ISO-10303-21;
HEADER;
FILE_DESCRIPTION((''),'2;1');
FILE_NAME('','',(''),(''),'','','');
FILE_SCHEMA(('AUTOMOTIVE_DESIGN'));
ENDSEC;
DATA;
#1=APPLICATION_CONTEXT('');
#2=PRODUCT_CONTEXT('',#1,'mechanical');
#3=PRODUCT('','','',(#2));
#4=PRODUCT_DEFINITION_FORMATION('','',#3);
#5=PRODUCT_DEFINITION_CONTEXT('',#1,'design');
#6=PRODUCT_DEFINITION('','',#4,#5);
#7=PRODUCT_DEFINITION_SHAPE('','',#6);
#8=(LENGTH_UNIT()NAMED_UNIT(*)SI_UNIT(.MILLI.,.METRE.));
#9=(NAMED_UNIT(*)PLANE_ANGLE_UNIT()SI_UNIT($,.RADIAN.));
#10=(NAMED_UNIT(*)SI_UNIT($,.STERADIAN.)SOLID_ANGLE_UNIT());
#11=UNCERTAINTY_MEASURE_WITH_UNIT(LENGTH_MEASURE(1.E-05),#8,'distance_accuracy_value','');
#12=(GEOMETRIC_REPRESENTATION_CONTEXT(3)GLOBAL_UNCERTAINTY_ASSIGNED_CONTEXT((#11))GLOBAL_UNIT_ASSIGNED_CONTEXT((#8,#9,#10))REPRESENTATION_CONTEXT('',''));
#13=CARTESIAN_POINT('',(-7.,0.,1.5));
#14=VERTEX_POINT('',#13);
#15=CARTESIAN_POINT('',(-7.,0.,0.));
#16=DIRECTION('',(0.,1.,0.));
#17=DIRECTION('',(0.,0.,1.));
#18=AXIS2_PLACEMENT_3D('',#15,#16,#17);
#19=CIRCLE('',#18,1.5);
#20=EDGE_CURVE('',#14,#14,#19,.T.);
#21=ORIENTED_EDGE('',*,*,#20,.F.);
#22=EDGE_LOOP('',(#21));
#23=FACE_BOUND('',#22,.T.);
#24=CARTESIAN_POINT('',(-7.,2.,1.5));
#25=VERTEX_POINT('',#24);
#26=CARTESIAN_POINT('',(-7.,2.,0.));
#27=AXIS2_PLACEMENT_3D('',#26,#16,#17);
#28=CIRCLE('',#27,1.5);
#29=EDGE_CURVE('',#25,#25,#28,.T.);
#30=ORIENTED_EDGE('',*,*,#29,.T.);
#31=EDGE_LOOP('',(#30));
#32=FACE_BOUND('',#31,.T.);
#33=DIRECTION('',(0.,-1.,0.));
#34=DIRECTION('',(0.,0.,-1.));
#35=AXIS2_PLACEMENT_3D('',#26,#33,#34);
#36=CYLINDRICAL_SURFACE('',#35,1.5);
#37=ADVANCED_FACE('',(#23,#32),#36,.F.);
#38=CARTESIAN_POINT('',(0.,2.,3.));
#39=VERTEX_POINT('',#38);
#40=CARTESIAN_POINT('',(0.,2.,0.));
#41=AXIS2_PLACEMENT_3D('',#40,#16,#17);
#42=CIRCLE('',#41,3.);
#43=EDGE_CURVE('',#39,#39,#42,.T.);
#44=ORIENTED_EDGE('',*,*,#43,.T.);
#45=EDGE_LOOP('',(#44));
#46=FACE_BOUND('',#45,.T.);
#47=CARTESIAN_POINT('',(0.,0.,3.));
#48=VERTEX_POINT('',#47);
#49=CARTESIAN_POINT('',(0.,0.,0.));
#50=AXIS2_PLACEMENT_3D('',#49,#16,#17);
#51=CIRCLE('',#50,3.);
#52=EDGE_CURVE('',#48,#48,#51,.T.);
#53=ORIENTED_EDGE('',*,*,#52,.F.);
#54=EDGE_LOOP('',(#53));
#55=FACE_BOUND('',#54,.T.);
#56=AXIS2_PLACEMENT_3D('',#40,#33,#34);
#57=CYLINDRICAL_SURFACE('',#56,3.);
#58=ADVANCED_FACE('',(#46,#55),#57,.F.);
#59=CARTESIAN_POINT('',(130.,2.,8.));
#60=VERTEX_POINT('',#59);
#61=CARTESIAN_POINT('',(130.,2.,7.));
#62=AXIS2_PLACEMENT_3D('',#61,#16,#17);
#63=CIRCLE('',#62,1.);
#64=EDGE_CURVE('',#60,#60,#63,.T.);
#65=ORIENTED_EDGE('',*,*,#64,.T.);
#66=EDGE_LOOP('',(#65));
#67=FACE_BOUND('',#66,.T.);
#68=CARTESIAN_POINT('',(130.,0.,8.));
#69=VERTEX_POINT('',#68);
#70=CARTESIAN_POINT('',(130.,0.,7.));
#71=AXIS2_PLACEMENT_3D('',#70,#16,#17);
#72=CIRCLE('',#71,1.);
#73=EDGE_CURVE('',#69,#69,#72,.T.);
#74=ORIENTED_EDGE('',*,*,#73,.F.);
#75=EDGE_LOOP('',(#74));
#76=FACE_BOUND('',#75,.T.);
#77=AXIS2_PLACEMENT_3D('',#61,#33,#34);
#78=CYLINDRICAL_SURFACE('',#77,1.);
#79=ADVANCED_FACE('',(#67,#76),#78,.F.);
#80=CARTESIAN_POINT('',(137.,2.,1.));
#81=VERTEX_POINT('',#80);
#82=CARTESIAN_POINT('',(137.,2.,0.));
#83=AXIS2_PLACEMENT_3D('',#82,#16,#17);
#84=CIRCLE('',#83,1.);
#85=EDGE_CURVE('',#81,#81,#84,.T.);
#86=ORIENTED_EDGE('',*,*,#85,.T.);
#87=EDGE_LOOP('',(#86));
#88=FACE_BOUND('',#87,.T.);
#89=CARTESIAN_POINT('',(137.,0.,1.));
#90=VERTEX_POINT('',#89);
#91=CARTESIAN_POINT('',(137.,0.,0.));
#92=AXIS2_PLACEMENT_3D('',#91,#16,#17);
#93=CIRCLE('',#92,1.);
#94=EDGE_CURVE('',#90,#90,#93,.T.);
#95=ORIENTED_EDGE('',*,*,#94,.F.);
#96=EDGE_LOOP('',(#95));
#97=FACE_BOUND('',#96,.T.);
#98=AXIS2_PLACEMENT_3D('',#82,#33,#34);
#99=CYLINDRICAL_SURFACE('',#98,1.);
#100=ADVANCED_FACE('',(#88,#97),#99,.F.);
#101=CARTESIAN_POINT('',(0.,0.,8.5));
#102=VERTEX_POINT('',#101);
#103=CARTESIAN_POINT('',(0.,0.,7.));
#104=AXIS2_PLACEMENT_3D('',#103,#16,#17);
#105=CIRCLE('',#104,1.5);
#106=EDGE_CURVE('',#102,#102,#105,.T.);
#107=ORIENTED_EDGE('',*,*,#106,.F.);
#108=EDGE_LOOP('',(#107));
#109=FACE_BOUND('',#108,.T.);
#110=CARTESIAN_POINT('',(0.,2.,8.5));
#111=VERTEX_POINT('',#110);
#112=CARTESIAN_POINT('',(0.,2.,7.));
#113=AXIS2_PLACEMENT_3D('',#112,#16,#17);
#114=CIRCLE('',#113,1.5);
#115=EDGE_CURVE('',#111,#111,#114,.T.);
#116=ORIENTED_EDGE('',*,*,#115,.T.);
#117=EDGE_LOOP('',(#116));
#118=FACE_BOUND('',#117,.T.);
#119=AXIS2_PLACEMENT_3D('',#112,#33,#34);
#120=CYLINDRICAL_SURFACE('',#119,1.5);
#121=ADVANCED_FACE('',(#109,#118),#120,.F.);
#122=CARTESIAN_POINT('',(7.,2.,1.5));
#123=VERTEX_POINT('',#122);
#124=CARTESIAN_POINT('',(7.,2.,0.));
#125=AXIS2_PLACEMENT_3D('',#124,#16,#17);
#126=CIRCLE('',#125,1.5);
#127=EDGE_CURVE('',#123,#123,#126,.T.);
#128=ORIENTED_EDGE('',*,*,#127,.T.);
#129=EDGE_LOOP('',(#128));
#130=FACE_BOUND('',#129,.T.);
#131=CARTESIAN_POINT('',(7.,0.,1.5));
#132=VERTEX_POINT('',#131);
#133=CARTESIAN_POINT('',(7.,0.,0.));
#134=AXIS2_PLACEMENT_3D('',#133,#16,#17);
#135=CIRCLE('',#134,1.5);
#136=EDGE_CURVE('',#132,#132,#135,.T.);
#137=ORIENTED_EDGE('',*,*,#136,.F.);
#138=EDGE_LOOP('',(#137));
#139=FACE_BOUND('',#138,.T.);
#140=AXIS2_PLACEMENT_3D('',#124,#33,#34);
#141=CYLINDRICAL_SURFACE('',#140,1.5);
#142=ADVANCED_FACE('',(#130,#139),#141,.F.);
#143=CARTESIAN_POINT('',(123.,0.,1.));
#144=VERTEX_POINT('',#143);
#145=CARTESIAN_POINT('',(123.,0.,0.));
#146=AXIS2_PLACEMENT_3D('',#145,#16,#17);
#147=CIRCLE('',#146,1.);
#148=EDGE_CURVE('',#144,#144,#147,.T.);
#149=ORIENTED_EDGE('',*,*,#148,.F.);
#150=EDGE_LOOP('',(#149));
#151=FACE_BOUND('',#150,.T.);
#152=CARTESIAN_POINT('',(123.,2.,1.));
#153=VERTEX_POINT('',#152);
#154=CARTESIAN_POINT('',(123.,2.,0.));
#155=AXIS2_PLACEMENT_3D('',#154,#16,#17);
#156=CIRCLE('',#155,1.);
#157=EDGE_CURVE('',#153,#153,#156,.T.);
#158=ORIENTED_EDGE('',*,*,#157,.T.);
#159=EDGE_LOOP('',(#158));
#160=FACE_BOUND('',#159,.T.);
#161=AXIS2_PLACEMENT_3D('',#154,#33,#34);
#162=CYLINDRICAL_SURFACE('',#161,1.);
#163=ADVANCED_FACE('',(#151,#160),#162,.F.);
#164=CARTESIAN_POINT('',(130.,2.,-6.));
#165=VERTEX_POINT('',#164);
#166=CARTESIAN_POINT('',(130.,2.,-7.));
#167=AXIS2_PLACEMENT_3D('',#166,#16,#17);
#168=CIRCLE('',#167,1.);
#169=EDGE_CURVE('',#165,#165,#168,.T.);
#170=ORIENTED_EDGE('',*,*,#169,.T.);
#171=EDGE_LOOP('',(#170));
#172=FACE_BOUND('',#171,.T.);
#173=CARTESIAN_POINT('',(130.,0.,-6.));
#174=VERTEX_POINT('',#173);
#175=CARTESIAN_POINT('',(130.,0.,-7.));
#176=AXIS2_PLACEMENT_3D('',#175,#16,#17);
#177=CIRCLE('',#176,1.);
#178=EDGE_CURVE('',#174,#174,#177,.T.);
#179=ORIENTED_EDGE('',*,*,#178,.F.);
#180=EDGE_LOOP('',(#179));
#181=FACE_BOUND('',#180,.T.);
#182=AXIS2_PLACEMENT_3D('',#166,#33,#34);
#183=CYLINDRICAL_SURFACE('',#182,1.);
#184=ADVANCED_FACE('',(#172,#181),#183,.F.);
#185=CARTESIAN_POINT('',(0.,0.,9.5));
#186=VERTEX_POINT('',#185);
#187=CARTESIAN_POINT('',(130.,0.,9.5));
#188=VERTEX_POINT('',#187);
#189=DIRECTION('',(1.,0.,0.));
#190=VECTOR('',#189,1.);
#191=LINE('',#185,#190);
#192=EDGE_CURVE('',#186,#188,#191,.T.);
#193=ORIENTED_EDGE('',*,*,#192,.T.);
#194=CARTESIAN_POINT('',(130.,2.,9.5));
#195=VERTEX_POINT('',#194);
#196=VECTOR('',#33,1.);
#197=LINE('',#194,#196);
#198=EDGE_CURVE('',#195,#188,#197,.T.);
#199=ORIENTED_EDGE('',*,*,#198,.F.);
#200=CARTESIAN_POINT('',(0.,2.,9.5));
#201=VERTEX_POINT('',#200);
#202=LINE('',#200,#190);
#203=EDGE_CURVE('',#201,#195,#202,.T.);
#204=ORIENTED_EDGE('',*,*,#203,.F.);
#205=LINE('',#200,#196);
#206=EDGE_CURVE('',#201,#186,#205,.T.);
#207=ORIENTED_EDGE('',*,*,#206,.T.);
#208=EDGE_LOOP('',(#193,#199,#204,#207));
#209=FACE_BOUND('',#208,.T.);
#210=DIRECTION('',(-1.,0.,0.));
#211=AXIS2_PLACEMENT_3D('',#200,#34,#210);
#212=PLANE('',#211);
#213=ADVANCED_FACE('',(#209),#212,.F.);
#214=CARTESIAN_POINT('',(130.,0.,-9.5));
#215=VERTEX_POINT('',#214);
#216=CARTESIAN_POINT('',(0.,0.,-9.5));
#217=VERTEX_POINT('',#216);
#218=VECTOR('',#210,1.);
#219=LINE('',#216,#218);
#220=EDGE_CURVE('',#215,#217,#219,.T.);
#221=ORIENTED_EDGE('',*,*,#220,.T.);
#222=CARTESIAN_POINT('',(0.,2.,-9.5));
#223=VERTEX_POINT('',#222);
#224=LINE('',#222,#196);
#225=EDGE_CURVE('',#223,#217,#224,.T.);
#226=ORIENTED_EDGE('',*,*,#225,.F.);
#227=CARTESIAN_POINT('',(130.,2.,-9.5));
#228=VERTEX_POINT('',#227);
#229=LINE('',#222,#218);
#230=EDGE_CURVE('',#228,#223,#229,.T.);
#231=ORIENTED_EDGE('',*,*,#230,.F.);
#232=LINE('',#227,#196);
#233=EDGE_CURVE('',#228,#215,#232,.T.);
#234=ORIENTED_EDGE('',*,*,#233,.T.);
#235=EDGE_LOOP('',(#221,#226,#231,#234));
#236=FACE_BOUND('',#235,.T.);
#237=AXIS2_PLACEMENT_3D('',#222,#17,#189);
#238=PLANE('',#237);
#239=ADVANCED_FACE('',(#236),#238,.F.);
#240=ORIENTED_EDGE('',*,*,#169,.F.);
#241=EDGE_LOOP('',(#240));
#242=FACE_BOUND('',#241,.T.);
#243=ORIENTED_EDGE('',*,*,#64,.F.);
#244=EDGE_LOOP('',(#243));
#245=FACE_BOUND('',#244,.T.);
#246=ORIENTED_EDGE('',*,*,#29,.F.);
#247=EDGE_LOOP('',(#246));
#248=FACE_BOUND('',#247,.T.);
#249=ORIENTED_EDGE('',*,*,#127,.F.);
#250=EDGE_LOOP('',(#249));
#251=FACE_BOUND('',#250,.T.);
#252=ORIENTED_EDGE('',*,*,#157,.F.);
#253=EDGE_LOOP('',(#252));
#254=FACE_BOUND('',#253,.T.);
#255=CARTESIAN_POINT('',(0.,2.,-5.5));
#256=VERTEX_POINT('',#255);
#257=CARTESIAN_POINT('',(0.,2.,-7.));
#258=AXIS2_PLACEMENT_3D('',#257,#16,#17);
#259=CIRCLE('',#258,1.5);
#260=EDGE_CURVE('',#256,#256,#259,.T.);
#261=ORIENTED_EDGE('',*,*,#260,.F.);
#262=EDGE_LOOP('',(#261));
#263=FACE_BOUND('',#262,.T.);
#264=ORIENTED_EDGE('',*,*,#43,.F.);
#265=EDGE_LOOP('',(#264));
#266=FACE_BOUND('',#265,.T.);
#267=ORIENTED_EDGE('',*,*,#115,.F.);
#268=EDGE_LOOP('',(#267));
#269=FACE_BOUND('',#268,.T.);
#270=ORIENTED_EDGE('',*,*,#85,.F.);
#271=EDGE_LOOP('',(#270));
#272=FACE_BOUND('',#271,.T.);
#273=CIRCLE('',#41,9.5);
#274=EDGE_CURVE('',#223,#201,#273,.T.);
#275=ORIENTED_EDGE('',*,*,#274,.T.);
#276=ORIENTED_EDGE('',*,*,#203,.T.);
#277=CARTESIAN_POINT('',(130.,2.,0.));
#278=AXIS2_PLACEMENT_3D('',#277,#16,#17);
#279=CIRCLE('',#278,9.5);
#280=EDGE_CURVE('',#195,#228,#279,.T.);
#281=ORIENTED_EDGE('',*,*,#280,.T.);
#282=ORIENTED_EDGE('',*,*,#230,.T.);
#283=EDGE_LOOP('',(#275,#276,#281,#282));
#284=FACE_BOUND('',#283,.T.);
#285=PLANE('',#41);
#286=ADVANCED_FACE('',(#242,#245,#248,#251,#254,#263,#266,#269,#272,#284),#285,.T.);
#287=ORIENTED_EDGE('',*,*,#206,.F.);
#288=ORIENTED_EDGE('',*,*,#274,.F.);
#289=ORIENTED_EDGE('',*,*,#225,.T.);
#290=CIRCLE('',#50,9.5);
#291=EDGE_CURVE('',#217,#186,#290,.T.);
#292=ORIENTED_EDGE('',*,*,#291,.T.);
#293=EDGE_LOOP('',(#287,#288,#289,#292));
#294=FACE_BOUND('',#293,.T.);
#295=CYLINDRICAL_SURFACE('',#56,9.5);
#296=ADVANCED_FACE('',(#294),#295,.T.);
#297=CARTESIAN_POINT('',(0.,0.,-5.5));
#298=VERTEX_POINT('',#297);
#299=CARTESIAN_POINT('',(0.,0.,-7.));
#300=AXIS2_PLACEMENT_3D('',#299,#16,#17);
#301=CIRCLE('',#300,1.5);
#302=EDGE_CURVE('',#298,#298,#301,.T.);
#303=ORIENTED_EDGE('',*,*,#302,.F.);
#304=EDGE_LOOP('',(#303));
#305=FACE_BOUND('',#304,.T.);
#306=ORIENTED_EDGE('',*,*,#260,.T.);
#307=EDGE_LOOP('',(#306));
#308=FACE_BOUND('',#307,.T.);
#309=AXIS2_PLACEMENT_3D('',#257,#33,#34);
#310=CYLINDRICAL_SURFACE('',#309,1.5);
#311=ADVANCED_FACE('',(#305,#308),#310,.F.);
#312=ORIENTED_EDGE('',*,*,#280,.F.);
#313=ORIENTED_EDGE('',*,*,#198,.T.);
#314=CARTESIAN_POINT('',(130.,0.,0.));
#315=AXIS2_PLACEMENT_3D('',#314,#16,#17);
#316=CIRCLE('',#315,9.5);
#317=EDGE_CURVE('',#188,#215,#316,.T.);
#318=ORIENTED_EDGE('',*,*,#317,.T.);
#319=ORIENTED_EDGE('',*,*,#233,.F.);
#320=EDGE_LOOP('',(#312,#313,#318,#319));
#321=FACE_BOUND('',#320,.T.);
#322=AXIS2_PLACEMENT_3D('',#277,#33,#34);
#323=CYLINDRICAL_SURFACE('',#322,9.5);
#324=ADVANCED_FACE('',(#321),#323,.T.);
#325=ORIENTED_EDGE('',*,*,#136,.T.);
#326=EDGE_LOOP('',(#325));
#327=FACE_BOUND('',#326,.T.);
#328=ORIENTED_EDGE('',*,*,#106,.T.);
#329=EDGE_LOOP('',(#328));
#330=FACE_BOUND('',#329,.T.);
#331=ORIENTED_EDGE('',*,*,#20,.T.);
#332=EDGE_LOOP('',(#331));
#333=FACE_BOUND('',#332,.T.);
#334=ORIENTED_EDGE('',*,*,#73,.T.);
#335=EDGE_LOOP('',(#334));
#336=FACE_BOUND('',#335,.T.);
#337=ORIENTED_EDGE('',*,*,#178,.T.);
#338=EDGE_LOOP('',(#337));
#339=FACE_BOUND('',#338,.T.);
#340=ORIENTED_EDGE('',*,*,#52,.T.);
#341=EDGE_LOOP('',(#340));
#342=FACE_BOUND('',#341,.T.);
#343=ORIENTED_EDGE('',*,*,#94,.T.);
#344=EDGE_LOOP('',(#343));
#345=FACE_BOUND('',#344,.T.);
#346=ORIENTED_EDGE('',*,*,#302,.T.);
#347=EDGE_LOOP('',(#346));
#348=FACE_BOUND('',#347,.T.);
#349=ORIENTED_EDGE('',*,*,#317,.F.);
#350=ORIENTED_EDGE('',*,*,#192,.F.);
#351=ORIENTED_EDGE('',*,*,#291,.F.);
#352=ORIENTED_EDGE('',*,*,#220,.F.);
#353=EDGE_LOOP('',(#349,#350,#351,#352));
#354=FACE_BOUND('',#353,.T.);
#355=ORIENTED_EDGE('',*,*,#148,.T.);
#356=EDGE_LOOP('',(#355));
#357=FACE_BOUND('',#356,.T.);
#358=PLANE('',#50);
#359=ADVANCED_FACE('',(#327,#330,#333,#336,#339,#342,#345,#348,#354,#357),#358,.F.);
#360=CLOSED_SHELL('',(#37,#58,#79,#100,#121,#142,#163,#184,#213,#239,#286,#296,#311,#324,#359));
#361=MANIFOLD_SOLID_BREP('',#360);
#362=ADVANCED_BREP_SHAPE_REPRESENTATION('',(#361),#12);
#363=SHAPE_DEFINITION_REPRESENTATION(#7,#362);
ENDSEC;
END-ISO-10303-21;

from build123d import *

# Parameters (mm, degrees)
SKETCH_1_R      = 1.5
SKETCH_1_R_2    = 1
SKETCH_1_R_3    = 3
EXTRUDE_1_DEPTH = 2


with BuildPart() as part:
    # Эскиз1 → Бобышка-Вытянуть1 (new body)
    with BuildSketch(Plane(origin=(0, 0, 0), x_dir=(1, 0, 0), z_dir=(0, 1, 0))):
        with BuildLine():
            Line((0, 9.5), (130, 9.5))
            ThreePointArc((130, 9.5), (139.5, 0), (130, -9.5))
            Line((130, -9.5), (0, -9.5))
            ThreePointArc((0, -9.5), (-9.5, 0), (0, 9.5))
        make_face()
        with Locations(Location((0, 7, 0), (0, 0, 270))):
            Circle(SKETCH_1_R, mode=Mode.SUBTRACT)
        with Locations(Location((7, 0, 0), (0, 0, 270))):
            Circle(SKETCH_1_R, mode=Mode.SUBTRACT)
        with Locations(Location((0, -7, 0), (0, 0, 270))):
            Circle(SKETCH_1_R, mode=Mode.SUBTRACT)
        with Locations(Location((-7, 0, 0), (0, 0, 270))):
            Circle(SKETCH_1_R, mode=Mode.SUBTRACT)
        with Locations(Location((130, 7, 0), (0, 0, 270))):
            Circle(SKETCH_1_R_2, mode=Mode.SUBTRACT)
        with Locations(Location((137, 0, 0), (0, 0, 270))):
            Circle(SKETCH_1_R_2, mode=Mode.SUBTRACT)
        with Locations(Location((123, 0, 0), (0, 0, 270))):
            Circle(SKETCH_1_R_2, mode=Mode.SUBTRACT)
        with Locations(Location((130, -7, 0), (0, 0, 270))):
            Circle(SKETCH_1_R_2, mode=Mode.SUBTRACT)
        with Locations(Location((0, 0, 0), (0, 0, 270))):
            Circle(SKETCH_1_R_3, mode=Mode.SUBTRACT)
    extrude(amount=EXTRUDE_1_DEPTH)


solid = part.part
